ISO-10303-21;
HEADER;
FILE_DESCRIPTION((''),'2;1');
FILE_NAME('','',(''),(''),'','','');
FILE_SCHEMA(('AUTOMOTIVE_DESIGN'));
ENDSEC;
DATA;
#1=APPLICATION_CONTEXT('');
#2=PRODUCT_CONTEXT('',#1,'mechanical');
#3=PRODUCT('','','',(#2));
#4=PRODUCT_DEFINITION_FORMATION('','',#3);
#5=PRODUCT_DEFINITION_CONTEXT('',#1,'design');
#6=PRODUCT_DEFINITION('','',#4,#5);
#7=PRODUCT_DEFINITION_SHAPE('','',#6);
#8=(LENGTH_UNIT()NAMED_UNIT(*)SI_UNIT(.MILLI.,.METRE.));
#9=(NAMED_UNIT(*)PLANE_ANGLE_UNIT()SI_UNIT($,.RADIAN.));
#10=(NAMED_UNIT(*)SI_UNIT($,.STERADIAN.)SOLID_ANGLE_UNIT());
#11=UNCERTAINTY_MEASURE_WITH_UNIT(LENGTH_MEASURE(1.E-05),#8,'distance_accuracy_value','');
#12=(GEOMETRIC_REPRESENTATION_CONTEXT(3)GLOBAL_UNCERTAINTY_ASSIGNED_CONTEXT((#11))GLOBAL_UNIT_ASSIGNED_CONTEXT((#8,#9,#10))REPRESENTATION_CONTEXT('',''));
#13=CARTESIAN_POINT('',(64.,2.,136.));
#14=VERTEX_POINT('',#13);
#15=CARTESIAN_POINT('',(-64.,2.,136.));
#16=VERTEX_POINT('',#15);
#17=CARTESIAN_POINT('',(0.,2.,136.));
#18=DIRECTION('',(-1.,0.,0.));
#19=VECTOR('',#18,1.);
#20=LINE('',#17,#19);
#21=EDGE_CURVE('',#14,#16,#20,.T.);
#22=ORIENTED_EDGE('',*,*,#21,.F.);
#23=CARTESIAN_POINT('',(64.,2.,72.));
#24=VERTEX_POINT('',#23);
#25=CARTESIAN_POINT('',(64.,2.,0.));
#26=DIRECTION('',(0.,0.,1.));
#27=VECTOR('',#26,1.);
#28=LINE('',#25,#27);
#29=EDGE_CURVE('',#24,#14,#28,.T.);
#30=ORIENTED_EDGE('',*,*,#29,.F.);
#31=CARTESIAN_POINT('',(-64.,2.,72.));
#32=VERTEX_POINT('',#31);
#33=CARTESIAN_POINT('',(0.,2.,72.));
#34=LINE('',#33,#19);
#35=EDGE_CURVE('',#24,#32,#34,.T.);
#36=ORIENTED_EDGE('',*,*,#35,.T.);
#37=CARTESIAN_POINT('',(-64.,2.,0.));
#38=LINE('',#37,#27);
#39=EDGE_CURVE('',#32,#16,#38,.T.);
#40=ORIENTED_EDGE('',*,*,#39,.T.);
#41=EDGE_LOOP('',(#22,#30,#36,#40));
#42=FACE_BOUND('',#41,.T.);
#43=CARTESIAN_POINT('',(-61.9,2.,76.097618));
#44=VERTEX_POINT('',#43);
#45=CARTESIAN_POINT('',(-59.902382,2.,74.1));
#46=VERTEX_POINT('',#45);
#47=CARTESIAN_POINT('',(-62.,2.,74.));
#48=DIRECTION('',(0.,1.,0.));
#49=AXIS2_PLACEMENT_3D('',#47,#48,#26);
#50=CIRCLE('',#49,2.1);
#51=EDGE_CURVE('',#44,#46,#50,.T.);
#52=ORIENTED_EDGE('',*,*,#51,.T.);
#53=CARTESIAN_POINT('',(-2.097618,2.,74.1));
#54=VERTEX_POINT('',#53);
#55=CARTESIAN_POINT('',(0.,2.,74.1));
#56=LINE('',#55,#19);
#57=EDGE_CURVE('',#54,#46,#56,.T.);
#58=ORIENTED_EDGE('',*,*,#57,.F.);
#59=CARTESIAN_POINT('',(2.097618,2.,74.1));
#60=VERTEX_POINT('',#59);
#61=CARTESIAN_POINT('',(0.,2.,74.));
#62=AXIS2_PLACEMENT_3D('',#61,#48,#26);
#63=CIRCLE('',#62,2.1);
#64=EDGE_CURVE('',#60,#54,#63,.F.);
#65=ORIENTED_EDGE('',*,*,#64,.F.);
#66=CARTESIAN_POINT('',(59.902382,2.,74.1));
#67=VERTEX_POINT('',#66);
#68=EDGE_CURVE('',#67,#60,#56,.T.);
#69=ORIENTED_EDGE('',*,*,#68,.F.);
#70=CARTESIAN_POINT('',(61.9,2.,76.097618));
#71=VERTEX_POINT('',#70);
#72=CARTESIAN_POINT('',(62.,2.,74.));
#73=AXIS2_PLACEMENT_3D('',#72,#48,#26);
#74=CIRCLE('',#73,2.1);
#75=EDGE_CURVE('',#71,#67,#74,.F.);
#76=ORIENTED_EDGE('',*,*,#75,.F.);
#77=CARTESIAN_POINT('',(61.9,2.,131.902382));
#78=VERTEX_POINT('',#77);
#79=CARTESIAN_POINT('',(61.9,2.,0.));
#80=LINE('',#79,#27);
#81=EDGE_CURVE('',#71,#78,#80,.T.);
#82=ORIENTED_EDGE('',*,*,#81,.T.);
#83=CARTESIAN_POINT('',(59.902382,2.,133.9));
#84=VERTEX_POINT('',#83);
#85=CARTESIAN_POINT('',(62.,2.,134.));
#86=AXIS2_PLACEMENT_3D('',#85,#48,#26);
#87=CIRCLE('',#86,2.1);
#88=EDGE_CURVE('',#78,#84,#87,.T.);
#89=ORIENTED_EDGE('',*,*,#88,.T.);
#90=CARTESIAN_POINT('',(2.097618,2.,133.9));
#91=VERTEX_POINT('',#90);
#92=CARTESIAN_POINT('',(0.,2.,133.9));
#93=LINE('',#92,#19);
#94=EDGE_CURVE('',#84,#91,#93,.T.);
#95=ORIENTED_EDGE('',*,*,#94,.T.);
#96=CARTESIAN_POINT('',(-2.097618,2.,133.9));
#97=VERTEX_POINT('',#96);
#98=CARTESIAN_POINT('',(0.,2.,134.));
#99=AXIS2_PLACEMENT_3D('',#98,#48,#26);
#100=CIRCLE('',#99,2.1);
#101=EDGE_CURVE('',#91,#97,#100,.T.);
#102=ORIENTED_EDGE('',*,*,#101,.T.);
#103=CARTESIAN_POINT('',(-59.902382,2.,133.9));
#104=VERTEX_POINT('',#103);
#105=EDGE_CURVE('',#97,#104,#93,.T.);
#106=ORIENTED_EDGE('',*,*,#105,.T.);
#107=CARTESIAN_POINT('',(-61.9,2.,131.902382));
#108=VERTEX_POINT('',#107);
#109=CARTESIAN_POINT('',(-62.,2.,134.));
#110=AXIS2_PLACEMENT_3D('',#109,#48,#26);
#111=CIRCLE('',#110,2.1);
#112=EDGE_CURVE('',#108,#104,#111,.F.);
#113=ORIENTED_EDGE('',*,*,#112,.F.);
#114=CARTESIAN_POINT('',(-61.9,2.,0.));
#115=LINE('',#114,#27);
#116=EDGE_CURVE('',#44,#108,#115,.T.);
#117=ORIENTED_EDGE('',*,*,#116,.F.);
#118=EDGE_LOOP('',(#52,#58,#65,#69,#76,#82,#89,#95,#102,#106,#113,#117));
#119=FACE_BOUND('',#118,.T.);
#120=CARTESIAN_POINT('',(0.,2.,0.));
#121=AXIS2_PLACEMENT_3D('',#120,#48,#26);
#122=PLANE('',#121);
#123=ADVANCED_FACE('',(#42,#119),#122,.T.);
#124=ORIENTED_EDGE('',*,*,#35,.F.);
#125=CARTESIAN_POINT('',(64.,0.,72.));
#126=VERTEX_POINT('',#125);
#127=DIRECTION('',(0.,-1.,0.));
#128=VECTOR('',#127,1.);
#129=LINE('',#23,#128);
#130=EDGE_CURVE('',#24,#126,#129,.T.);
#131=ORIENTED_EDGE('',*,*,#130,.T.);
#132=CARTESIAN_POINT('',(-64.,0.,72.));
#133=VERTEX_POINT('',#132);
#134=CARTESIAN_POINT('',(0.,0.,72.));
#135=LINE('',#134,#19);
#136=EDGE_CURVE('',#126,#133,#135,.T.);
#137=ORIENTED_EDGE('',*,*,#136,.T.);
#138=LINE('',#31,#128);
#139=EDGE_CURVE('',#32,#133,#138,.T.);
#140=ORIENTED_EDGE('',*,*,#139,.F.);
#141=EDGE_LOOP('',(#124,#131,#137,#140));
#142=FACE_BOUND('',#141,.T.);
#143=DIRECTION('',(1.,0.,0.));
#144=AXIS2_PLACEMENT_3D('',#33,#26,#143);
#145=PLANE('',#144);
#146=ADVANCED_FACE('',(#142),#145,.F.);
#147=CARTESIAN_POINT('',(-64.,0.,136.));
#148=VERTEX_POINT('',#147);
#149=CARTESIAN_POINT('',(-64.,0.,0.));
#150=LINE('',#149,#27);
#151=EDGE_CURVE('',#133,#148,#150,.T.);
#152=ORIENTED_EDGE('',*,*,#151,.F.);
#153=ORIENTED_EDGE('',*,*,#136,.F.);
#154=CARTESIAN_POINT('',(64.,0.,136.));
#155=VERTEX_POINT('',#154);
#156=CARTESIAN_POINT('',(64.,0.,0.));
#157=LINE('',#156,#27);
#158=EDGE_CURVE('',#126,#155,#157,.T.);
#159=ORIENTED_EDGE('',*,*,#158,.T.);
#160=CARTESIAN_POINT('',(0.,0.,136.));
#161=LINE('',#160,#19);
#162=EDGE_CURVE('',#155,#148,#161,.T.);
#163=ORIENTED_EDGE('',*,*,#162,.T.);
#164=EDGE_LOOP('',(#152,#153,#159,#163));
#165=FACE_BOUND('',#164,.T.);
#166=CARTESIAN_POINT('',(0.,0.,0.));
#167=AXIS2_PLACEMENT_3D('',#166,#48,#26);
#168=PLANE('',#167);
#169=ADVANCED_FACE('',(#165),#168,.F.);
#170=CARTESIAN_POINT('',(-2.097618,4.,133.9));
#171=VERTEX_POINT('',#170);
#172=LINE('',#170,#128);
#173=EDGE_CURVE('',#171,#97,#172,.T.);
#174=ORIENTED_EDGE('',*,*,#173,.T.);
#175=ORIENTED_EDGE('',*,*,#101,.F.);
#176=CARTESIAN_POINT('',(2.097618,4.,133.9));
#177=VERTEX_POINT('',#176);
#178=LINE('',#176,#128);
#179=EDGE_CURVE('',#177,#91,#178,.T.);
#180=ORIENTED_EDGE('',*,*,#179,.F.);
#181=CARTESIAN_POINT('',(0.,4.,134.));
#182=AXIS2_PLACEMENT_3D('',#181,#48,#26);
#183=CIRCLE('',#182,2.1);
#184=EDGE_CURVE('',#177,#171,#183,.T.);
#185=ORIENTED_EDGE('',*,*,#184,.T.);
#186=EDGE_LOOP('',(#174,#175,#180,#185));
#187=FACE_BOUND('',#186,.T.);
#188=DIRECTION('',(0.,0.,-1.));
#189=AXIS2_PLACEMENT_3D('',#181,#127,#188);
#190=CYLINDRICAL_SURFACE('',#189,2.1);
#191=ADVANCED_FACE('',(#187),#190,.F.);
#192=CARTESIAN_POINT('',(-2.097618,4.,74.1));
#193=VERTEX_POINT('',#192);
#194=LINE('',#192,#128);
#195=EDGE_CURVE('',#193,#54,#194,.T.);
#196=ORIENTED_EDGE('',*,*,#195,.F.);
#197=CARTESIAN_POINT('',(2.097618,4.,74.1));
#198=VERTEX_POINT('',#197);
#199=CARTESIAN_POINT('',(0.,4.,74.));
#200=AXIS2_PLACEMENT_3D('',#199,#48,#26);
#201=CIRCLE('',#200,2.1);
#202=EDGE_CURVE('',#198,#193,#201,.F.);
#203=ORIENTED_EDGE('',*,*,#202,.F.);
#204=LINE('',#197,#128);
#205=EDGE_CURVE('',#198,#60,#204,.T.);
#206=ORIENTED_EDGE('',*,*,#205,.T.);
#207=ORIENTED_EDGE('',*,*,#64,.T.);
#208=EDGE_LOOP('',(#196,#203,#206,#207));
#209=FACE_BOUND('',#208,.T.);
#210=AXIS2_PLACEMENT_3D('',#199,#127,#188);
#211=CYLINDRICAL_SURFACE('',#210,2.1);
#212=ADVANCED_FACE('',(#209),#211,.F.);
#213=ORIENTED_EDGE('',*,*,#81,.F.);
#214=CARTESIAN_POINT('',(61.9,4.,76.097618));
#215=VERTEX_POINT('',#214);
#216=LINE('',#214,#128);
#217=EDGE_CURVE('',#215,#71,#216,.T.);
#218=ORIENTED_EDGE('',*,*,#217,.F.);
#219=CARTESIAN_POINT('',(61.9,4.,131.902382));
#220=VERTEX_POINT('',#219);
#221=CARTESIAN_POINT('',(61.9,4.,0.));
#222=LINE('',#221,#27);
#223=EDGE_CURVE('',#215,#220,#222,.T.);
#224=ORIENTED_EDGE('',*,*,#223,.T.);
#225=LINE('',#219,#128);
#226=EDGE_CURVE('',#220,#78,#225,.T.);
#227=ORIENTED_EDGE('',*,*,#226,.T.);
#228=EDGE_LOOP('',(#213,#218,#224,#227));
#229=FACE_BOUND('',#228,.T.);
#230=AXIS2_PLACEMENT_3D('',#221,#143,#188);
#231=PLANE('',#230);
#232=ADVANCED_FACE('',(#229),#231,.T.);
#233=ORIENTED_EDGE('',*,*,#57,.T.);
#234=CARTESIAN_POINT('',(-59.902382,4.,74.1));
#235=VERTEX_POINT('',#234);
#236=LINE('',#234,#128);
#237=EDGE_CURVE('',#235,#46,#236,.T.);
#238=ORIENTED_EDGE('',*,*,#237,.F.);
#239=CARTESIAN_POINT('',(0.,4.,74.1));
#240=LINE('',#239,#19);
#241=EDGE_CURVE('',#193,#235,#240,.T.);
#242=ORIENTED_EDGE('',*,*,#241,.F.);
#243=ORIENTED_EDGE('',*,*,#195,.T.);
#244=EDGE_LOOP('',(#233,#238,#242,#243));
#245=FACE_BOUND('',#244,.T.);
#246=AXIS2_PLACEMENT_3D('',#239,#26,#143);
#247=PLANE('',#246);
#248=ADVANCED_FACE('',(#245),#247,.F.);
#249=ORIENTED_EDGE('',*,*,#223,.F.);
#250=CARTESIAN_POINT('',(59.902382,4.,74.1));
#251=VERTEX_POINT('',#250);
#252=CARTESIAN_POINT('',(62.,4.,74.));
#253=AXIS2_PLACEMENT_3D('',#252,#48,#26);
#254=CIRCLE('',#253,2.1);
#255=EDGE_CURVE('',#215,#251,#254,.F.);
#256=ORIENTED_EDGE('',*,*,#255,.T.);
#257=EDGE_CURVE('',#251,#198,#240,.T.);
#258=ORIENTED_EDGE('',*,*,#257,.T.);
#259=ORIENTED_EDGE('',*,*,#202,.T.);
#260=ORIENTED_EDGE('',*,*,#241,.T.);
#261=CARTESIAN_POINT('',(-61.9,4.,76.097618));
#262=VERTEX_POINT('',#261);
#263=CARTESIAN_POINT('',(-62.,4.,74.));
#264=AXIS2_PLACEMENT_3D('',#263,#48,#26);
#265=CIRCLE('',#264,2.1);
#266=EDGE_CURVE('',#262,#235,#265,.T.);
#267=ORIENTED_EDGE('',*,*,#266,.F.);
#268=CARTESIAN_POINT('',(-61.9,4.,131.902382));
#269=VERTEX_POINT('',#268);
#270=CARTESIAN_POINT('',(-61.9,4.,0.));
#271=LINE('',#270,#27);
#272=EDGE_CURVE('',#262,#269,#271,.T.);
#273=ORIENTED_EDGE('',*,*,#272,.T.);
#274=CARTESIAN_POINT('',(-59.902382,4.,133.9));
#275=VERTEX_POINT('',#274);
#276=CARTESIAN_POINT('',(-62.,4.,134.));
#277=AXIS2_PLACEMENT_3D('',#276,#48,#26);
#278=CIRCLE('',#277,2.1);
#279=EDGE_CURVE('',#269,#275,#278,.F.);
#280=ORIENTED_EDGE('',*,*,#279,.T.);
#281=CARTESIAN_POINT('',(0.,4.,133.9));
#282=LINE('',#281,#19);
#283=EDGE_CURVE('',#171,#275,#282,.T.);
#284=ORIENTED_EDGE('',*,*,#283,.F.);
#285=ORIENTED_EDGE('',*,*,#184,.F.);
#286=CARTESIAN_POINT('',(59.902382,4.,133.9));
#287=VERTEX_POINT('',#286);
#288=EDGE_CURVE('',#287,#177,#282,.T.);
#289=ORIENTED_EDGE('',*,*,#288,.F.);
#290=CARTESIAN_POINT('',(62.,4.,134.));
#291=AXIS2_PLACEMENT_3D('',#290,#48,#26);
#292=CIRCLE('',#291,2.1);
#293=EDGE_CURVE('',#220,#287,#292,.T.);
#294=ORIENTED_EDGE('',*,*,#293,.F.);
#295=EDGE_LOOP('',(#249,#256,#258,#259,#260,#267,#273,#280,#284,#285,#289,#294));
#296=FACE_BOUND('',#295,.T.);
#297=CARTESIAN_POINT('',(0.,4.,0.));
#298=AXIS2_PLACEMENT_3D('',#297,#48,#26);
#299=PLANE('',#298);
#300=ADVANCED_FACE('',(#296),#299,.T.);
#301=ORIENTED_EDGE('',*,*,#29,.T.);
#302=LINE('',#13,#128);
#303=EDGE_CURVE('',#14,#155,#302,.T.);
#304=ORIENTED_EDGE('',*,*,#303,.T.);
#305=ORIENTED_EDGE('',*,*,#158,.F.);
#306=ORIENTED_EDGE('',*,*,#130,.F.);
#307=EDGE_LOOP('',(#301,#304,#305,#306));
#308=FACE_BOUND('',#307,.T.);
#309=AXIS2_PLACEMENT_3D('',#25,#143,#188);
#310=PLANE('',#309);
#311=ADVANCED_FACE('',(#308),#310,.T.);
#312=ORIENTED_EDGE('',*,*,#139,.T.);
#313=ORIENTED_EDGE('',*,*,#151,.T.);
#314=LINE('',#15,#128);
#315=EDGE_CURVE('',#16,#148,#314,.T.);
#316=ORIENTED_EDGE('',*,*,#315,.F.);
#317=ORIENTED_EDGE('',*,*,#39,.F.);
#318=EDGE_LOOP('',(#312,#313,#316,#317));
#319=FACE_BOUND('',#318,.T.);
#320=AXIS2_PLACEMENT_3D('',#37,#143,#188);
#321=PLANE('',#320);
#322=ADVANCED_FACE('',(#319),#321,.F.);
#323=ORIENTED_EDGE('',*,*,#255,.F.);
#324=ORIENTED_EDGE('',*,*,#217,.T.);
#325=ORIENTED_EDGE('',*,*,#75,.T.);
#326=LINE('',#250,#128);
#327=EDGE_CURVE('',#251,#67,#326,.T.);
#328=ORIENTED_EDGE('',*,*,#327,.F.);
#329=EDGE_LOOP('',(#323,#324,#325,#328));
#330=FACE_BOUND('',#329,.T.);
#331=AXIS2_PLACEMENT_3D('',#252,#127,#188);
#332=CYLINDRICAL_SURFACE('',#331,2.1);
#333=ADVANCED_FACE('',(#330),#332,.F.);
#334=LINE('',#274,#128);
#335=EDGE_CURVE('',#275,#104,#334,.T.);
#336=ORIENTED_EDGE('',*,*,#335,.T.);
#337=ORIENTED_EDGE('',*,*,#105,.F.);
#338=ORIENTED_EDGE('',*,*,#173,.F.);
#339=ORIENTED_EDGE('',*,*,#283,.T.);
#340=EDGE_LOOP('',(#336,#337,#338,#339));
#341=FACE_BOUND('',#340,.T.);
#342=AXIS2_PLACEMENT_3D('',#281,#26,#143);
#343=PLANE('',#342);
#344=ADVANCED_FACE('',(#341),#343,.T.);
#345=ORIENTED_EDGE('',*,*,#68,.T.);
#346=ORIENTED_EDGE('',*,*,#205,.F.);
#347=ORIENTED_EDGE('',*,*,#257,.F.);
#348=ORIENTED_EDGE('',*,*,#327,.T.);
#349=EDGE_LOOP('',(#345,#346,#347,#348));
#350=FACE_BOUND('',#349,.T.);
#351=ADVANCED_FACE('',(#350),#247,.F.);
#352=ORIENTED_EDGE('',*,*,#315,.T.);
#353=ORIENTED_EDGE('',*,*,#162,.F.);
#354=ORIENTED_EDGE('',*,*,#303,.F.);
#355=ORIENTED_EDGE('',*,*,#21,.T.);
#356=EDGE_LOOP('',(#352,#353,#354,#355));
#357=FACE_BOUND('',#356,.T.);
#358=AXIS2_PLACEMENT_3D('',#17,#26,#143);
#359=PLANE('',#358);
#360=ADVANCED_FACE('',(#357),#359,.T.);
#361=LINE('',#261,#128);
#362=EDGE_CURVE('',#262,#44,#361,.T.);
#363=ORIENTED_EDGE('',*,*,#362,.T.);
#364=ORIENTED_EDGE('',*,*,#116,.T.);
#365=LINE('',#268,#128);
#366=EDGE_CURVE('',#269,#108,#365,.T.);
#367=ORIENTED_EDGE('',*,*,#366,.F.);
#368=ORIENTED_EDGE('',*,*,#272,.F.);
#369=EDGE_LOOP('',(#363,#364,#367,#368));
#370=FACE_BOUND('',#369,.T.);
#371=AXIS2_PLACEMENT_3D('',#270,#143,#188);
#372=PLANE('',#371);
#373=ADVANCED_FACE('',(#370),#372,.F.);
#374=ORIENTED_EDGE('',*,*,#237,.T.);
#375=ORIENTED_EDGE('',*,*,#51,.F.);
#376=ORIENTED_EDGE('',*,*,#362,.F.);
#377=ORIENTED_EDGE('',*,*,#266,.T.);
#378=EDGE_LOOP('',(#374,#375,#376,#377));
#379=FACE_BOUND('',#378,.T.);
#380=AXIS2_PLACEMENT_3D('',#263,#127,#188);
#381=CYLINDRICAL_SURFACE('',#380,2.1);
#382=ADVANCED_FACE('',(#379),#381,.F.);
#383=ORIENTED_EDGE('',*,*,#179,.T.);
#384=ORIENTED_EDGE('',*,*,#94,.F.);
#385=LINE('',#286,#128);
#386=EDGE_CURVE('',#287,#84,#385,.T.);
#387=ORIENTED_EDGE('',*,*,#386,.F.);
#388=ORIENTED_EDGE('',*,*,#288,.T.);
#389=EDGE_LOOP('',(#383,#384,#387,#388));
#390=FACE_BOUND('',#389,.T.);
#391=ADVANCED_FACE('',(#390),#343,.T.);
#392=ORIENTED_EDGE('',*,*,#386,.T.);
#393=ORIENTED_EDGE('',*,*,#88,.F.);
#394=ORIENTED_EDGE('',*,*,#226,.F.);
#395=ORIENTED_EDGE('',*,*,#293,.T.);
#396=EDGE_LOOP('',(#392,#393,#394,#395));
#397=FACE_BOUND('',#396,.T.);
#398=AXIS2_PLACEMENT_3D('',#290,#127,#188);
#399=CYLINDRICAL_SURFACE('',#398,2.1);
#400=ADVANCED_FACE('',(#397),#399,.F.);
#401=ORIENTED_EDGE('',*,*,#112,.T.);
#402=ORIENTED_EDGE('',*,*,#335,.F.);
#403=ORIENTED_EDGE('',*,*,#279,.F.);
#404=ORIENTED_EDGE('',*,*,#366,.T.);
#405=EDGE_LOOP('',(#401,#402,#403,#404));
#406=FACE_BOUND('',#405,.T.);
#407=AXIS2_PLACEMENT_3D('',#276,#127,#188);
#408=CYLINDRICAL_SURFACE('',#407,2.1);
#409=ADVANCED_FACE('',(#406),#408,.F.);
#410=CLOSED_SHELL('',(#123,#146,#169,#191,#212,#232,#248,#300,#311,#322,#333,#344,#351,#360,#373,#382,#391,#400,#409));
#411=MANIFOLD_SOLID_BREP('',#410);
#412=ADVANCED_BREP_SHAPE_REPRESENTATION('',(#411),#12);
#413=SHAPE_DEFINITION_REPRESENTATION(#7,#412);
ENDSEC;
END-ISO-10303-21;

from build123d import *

# Parameters (mm, degrees)
SKETCH3_7_W         = 128
SKETCH3_7_H         = 64
BOSS_EXTRUDE4_DEPTH = 2
BOSS_EXTRUDE6_DEPTH = 4


with BuildPart() as part:
    # Sketch3<7> → Boss-Extrude4 (new body)
    with BuildSketch(Plane(origin=(0, 0, 0), x_dir=(1, 0, 0), z_dir=(0, 1, 0))):
        with Locations((0, -104)):
            Rectangle(SKETCH3_7_W, SKETCH3_7_H)
        with BuildLine():
            Line((-2.097617696, -74.1), (-59.902382304, -74.1))
            ThreePointArc((-59.902382304, -74.1), (-60.51507576, -75.48492424), (-61.9, -76.097617696))
            Line((-61.9, -76.097617696), (-61.9, -131.902382304))
            ThreePointArc((-61.9, -131.902382304), (-60.51507576, -132.51507576), (-59.902382304, -133.9))
            Line((-59.902382304, -133.9), (-2.097617696, -133.9))
            ThreePointArc((-2.097617696, -133.9), (0, -131.9), (2.097617696, -133.9))
            Line((2.097617696, -133.9), (59.902382304, -133.9))
            ThreePointArc((59.902382304, -133.9), (60.51507576, -132.51507576), (61.9, -131.902382304))
            Line((61.9, -131.902382304), (61.9, -76.097617696))
            ThreePointArc((61.9, -76.097617696), (60.51507576, -75.48492424), (59.902382304, -74.1))
            Line((59.902382304, -74.1), (2.097617696, -74.1))
            ThreePointArc((2.097617696, -74.1), (0, -76.1), (-2.097617696, -74.1))
        make_face(mode=Mode.SUBTRACT)
    extrude(amount=BOSS_EXTRUDE4_DEPTH)

    # Sketch3 → Boss-Extrude6 (add)
    with BuildSketch(Plane(origin=(0, 0, 0), x_dir=(1, 0, 0), z_dir=(0, 1, 0))):
        with BuildLine():
            Line((-61.9, -76.097617696), (-61.9, -131.902382304))
            ThreePointArc((-61.9, -131.902382304), (-60.51507576, -132.51507576), (-59.902382304, -133.9))
            Line((-59.902382304, -133.9), (-2.097617696, -133.9))
            ThreePointArc((-2.097617696, -133.9), (0, -131.9), (2.097617696, -133.9))
            Line((2.097617696, -133.9), (59.902382304, -133.9))
            ThreePointArc((59.902382304, -133.9), (60.51507576, -132.51507576), (61.9, -131.902382304))
            Line((61.9, -131.902382304), (61.9, -76.097617696))
            ThreePointArc((61.9, -76.097617696), (60.51507576, -75.48492424), (59.902382304, -74.1))
            Line((59.902382304, -74.1), (2.097617696, -74.1))
            ThreePointArc((2.097617696, -74.1), (0, -76.1), (-2.097617696, -74.1))
            Line((-2.097617696, -74.1), (-59.902382304, -74.1))
            ThreePointArc((-59.902382304, -74.1), (-60.51507576, -75.48492424), (-61.9, -76.097617696))
        make_face()
    extrude(amount=BOSS_EXTRUDE6_DEPTH)


solid = part.part
